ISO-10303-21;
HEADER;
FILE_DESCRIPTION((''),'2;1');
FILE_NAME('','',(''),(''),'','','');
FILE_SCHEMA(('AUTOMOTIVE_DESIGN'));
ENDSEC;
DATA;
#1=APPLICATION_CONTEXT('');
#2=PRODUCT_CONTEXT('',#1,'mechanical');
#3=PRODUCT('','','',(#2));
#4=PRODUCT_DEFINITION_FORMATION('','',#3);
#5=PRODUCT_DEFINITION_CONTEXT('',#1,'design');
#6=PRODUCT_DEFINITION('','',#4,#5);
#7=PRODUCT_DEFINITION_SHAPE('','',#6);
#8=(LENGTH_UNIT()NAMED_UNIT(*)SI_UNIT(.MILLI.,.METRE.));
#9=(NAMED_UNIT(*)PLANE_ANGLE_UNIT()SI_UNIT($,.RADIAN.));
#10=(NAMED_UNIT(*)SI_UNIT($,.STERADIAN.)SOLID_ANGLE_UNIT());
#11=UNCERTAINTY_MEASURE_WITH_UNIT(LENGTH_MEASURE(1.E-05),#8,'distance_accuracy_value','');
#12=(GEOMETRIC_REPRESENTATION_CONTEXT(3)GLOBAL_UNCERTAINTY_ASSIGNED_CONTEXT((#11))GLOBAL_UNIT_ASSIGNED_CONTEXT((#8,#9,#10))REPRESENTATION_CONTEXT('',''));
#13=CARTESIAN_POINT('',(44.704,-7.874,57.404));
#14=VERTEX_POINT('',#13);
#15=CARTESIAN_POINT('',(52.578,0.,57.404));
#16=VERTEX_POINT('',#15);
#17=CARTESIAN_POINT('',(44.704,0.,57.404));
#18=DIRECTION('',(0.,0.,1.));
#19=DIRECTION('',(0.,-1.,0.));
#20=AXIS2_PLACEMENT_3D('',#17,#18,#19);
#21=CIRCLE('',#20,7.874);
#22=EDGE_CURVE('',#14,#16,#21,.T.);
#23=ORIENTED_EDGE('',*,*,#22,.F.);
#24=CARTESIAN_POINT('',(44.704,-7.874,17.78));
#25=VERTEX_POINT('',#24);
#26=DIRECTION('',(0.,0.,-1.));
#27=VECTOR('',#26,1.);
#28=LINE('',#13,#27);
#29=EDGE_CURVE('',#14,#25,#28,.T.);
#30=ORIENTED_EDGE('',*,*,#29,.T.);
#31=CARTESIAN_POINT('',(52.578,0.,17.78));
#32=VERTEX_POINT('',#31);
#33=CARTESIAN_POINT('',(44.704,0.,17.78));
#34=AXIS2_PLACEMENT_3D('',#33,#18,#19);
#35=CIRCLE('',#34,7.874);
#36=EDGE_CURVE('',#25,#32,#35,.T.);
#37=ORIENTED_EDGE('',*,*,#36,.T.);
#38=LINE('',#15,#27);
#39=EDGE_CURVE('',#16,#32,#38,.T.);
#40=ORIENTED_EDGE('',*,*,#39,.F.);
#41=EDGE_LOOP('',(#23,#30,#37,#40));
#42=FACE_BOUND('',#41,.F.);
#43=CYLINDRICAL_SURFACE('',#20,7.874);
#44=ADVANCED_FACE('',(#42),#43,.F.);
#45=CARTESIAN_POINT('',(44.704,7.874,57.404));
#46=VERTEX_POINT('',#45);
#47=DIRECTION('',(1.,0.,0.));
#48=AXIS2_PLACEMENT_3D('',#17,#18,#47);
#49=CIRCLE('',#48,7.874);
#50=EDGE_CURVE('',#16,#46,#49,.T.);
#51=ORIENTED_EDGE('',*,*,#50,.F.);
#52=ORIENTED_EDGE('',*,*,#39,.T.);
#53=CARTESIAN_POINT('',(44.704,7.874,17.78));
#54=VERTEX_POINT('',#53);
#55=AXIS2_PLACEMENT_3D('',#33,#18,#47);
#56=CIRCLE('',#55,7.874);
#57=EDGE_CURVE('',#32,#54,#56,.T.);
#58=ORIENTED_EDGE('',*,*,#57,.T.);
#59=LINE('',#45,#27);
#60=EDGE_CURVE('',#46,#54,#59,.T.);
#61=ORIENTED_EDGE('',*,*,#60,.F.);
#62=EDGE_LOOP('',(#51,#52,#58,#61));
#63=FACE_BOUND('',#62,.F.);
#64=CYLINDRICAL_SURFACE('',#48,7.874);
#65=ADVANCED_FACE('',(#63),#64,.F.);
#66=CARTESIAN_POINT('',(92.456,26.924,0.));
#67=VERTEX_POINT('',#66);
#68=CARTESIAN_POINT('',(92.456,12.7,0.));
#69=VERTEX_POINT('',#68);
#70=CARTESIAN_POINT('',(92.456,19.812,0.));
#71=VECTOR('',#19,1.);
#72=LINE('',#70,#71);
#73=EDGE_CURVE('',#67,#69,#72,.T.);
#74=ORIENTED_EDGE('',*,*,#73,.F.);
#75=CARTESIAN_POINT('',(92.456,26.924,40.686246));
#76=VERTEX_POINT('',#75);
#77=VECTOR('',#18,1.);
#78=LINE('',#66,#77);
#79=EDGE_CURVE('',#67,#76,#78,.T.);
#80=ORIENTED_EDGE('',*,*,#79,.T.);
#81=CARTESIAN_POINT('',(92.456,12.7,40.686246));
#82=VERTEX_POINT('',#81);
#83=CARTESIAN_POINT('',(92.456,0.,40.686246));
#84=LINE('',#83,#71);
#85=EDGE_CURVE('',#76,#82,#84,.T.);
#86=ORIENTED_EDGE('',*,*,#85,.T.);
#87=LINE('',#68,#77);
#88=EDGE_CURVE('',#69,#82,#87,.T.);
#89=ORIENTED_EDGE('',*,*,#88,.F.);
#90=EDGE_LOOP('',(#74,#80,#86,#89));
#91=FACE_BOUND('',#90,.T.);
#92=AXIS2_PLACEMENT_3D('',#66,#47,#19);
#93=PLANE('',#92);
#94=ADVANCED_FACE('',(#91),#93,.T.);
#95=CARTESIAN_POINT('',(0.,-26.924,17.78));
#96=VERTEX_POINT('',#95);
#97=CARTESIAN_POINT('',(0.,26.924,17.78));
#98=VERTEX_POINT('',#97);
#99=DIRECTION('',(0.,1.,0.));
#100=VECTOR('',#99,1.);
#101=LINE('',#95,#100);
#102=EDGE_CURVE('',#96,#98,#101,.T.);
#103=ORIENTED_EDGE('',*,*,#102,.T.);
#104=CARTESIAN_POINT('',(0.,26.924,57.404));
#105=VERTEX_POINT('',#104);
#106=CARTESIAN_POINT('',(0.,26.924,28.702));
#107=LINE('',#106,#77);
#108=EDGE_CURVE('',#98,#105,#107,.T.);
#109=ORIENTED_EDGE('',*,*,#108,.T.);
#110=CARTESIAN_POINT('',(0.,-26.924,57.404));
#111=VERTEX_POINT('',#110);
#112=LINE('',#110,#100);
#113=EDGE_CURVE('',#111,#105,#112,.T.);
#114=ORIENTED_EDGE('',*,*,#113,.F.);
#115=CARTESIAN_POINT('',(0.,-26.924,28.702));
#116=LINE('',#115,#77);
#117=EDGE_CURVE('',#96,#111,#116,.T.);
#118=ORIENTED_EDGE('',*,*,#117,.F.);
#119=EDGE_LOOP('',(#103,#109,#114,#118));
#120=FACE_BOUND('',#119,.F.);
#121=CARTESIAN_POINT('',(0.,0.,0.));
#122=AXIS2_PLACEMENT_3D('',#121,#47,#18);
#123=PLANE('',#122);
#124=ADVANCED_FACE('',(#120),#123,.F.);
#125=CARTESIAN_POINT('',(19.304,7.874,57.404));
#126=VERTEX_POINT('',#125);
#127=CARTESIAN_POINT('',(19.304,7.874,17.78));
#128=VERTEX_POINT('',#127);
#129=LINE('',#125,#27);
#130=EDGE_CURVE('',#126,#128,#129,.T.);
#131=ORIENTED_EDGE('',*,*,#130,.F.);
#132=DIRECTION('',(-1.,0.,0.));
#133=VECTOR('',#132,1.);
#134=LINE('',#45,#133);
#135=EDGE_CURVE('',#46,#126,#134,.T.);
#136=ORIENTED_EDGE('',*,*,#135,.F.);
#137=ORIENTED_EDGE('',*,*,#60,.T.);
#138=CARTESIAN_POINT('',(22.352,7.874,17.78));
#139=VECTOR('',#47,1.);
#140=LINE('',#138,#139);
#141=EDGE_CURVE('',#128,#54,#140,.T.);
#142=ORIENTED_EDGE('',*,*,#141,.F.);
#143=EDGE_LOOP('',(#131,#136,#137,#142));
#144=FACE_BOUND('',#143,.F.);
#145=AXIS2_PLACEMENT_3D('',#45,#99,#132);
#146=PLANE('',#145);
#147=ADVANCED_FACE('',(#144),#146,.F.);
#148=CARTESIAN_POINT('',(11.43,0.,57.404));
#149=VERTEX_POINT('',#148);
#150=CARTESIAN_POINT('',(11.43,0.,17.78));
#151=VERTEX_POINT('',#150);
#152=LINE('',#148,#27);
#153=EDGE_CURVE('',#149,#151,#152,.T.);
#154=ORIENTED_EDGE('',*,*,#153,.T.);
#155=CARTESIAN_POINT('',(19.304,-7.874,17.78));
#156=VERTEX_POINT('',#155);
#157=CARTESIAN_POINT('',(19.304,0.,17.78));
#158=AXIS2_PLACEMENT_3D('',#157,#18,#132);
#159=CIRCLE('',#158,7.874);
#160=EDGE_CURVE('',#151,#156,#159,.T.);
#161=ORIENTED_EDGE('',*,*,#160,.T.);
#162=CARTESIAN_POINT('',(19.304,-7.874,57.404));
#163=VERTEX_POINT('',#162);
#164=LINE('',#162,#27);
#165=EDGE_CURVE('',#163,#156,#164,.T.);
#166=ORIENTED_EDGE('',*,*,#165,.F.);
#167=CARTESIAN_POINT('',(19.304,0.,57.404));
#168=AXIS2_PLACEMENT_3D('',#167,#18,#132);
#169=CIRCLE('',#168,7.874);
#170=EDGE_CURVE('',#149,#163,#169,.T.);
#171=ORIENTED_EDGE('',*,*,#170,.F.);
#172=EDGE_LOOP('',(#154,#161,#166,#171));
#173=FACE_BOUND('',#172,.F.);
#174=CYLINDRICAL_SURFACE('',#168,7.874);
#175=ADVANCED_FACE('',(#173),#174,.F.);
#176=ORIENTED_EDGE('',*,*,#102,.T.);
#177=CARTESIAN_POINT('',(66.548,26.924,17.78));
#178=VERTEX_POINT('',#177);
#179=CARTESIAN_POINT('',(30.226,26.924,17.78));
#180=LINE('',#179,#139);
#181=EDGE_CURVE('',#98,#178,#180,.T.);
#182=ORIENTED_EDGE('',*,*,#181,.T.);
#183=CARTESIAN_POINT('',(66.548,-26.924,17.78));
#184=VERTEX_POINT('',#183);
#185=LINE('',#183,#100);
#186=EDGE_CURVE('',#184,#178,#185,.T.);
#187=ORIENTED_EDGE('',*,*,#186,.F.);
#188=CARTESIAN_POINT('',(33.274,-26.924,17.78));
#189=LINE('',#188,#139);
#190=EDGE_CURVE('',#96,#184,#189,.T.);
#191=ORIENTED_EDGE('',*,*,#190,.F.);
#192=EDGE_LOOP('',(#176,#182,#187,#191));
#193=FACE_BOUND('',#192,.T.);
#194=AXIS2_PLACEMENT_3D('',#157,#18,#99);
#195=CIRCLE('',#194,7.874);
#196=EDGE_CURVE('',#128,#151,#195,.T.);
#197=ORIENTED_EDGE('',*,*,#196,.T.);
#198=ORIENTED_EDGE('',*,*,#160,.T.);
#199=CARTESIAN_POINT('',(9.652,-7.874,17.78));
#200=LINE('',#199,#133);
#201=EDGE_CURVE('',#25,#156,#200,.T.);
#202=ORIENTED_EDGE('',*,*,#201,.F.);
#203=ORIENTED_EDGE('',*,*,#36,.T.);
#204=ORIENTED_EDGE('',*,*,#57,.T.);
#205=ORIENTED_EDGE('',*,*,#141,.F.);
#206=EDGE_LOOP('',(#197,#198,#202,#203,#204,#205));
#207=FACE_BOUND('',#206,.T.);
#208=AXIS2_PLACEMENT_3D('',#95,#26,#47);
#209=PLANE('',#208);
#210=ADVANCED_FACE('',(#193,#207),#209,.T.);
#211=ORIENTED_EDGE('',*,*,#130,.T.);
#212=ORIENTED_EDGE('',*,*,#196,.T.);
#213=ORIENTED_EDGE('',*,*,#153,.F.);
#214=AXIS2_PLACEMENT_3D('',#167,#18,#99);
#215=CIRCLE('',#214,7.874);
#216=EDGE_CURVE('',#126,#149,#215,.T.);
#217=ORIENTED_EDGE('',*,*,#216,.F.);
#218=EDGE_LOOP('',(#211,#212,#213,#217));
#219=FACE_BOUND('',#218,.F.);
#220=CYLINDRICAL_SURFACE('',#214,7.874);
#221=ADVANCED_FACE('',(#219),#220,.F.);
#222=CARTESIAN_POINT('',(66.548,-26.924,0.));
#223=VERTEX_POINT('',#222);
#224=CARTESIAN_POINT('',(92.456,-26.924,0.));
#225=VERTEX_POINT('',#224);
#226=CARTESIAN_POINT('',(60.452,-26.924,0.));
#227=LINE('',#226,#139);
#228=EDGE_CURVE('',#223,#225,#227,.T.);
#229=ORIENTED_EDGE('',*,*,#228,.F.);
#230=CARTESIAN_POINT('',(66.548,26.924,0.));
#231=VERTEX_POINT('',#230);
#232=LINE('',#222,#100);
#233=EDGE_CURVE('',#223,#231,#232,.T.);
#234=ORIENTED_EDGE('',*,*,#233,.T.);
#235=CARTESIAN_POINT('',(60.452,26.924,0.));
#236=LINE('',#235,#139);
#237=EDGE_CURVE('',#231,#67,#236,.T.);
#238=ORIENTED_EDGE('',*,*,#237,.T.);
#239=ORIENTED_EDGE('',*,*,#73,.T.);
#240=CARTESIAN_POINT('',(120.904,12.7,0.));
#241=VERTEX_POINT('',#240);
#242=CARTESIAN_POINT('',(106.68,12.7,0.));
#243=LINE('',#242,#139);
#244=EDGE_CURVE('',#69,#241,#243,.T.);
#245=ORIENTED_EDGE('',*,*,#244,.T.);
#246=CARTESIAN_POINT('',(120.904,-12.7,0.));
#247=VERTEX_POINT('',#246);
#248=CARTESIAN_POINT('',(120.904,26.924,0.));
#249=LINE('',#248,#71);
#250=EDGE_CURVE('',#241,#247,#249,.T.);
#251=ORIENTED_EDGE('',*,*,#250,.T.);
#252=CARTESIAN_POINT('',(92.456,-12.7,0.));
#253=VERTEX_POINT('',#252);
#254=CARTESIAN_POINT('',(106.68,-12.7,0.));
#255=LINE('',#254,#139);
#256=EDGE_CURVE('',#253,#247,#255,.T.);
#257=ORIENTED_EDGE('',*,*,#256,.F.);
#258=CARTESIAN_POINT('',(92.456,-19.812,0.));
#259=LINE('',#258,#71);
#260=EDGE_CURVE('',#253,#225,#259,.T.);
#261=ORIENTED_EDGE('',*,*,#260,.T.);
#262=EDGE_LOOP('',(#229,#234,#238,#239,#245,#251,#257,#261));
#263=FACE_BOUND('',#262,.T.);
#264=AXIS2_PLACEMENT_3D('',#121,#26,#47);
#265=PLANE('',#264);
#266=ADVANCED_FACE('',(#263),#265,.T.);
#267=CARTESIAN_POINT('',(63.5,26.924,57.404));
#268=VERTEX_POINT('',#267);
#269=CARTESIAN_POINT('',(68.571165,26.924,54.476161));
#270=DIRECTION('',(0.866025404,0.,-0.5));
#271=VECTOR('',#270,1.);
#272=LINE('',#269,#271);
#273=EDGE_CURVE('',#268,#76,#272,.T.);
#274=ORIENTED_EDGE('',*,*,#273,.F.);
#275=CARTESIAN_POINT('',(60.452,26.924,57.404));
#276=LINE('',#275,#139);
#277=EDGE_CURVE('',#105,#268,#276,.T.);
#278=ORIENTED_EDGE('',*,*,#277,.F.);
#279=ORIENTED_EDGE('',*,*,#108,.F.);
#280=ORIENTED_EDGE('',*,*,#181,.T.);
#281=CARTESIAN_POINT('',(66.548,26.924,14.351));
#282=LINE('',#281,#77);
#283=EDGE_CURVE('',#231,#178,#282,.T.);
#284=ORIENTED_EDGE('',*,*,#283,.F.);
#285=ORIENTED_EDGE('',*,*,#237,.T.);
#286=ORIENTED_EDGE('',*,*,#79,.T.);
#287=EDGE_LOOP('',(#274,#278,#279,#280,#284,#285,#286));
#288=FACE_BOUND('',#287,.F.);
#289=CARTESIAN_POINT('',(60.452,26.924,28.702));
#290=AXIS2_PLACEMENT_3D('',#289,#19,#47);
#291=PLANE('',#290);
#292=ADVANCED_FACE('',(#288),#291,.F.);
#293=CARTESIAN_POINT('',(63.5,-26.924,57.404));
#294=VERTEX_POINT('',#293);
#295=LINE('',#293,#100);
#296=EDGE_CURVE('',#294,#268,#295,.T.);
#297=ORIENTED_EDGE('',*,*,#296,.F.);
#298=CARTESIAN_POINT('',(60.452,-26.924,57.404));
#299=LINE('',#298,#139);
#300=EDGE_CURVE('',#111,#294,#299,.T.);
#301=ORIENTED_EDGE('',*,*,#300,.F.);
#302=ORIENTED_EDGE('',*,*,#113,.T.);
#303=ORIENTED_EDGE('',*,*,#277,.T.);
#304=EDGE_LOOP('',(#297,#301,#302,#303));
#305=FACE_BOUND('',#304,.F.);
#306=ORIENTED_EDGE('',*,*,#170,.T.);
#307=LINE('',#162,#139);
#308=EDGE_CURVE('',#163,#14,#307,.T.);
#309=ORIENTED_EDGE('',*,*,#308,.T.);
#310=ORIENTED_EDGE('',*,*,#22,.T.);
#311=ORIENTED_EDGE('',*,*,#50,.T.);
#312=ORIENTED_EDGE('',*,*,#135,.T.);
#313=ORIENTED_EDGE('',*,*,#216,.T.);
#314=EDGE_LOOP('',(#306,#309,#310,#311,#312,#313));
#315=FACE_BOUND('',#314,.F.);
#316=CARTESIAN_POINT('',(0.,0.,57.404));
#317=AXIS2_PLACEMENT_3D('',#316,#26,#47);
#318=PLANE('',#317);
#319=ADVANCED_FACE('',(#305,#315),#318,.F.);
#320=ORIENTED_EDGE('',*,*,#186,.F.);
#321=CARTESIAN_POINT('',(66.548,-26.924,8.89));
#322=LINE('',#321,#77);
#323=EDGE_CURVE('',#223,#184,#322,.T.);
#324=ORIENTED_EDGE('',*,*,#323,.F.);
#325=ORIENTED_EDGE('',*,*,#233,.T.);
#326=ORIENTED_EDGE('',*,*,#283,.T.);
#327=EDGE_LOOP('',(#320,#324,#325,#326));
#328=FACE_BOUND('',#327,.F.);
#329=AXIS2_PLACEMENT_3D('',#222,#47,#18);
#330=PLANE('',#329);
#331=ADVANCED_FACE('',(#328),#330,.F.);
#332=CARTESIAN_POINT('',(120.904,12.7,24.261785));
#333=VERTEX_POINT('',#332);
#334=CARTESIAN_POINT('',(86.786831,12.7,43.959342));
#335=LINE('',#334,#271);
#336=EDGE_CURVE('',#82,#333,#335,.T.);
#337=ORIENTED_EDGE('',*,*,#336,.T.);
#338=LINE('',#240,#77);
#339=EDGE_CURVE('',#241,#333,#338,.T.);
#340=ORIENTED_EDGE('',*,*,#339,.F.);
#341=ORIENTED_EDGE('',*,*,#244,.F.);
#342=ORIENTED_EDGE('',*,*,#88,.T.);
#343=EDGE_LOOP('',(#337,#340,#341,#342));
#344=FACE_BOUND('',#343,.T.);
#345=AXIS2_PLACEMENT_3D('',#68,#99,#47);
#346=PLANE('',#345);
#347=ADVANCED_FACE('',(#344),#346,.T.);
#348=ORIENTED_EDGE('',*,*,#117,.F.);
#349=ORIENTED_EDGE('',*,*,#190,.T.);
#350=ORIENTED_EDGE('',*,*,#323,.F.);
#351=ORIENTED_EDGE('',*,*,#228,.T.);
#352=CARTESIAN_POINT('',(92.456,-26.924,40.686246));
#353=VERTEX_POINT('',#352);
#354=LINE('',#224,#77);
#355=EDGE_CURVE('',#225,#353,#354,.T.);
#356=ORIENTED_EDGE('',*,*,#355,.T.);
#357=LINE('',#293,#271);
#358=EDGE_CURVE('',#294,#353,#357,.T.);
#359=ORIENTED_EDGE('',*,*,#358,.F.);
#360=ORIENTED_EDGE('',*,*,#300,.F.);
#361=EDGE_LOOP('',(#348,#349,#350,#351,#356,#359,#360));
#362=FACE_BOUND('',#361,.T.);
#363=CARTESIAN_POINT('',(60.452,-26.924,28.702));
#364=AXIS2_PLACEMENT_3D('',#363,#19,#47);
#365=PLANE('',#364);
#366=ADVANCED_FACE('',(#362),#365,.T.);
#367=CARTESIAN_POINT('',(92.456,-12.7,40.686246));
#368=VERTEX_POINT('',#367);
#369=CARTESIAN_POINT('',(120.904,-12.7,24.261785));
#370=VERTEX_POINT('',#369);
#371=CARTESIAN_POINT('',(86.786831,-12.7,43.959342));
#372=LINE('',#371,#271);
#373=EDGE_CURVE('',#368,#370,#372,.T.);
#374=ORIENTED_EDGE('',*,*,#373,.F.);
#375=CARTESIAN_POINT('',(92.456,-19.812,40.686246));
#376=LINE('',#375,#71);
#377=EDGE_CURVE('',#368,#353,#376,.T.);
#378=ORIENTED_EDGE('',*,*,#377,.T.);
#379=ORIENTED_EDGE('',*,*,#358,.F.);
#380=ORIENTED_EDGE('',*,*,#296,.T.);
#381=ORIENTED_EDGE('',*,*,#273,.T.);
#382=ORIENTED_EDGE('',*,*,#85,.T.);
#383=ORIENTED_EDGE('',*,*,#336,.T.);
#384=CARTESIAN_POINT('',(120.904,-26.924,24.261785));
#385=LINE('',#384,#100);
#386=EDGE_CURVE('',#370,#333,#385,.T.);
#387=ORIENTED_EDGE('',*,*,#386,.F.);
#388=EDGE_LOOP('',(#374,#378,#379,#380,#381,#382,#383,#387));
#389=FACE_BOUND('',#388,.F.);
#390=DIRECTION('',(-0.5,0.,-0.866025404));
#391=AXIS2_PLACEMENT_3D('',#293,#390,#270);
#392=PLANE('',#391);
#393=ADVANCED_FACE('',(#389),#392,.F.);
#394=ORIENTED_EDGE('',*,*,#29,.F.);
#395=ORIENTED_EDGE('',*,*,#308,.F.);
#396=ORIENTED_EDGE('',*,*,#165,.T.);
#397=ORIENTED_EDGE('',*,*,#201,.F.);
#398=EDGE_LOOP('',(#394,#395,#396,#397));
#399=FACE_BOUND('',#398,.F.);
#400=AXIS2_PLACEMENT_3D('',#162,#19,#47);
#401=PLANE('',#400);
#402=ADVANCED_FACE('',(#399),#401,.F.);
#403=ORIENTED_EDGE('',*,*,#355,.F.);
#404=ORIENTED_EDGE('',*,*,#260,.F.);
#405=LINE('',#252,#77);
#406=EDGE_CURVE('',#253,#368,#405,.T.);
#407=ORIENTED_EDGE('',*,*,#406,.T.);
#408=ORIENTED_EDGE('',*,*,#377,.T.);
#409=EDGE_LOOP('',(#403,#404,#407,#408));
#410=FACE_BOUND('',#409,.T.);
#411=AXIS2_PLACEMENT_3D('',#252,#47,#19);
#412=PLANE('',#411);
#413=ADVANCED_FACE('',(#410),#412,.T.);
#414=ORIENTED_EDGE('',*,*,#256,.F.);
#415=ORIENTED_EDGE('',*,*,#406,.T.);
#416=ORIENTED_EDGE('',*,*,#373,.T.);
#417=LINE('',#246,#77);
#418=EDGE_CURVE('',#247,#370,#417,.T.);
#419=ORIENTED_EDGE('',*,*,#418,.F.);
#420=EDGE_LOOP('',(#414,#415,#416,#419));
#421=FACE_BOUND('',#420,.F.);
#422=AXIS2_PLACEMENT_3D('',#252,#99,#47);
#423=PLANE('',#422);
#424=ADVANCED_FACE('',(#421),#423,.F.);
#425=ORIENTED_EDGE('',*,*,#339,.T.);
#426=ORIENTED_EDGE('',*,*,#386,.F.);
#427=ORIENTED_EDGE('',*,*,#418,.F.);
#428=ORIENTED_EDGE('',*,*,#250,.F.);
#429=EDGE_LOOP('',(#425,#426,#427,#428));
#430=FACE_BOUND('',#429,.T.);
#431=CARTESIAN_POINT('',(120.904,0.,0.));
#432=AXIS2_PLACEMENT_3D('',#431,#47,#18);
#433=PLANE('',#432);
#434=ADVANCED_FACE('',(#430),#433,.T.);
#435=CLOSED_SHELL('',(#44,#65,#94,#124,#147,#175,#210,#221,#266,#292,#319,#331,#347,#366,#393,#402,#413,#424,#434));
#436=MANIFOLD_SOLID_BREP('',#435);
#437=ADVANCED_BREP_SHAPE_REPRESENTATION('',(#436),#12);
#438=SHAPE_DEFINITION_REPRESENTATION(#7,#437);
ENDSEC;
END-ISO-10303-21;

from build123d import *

# Parameters (mm, degrees)
F0_W     = 120.904
F0_H     = 57.404
F1_DEPTH = 26.924
F2_W     = 66.548
F2_H     = 17.78
F3_DEPTH = 53.849
F4_W     = 28.448
F4_H     = 14.224
F5_DEPTH = 57.405
F7_DEPTH = 57.405


with BuildPart() as f1:
    # F0 (on Front) → F1 (new body, symmetric)
    with BuildSketch(Plane.XZ):
        with Locations((60.452, 28.702)):
            Rectangle(F0_W, F0_H)
    extrude(amount=F1_DEPTH, both=True)

    # F2 (on face) → F3 (cut, through all)
    with BuildSketch(Plane.XZ.offset(26.924)):
        with Locations((33.274, 8.89)):
            Rectangle(F2_W, F2_H)
        Polygon((63.5, 57.404), (120.904, 24.2617851474), (120.904, 57.404), align=None)
    extrude(amount=-F3_DEPTH, mode=Mode.SUBTRACT)

    # F4 (on face) → F5 (cut, through all)
    with BuildSketch(Plane(origin=(0, 0, 0), x_dir=(1, 0, 0), z_dir=(0, 0, -1))):
        with Locations((106.68, 19.812)):
            Rectangle(F4_W, F4_H)
        with Locations((106.68, -19.812)):
            Rectangle(F4_W, F4_H)
    extrude(amount=-F5_DEPTH, mode=Mode.SUBTRACT)

    # F6 (on face) → F7 (cut, through all)
    with BuildSketch(Plane.XY.offset(57.404)):
        with BuildLine():
            ThreePointArc((27.178, 0), (24.8717587951, -5.5677587951), (19.304, -7.874))
            Line((19.304, -7.874), (44.704, -7.874))
            ThreePointArc((44.704, -7.874), (39.1362412049, -5.5677587951), (36.83, 0))
            Line((36.83, 0), (27.178, 0))
        make_face()
        with BuildLine():
            Line((44.704, 7.874), (19.304, 7.874))
            ThreePointArc((19.304, 7.874), (24.8717587951, 5.5677587951), (27.178, 0))
            Line((27.178, 0), (36.83, 0))
            ThreePointArc((36.83, 0), (39.1362412049, 5.5677587951), (44.704, 7.874))
        make_face()
        with BuildLine():
            ThreePointArc((19.304, 7.874), (13.7362412049, 5.5677587951), (11.43, 0))
            Line((11.43, 0), (19.304, 0))
            Line((19.304, 0), (27.178, 0))
            ThreePointArc((27.178, 0), (24.8717587951, 5.5677587951), (19.304, 7.874))
        make_face()
        with BuildLine():
            Line((19.304, 0), (11.43, 0))
            ThreePointArc((11.43, 0), (13.7362412049, -5.5677587951), (19.304, -7.874))
            ThreePointArc((19.304, -7.874), (24.8717587951, -5.5677587951), (27.178, 0))
            Line((27.178, 0), (19.304, 0))
        make_face()
        with BuildLine():
            ThreePointArc((52.578, 0), (50.2717587951, 5.5677587951), (44.704, 7.874))
            ThreePointArc((44.704, 7.874), (39.1362412049, 5.5677587951), (36.83, 0))
            ThreePointArc((36.83, 0), (39.1362412049, -5.5677587951), (44.704, -7.874))
            ThreePointArc((44.704, -7.874), (50.2717587951, -5.5677587951), (52.578, 0))
        make_face()
    extrude(amount=-F7_DEPTH, mode=Mode.SUBTRACT)


solid = f1.part
